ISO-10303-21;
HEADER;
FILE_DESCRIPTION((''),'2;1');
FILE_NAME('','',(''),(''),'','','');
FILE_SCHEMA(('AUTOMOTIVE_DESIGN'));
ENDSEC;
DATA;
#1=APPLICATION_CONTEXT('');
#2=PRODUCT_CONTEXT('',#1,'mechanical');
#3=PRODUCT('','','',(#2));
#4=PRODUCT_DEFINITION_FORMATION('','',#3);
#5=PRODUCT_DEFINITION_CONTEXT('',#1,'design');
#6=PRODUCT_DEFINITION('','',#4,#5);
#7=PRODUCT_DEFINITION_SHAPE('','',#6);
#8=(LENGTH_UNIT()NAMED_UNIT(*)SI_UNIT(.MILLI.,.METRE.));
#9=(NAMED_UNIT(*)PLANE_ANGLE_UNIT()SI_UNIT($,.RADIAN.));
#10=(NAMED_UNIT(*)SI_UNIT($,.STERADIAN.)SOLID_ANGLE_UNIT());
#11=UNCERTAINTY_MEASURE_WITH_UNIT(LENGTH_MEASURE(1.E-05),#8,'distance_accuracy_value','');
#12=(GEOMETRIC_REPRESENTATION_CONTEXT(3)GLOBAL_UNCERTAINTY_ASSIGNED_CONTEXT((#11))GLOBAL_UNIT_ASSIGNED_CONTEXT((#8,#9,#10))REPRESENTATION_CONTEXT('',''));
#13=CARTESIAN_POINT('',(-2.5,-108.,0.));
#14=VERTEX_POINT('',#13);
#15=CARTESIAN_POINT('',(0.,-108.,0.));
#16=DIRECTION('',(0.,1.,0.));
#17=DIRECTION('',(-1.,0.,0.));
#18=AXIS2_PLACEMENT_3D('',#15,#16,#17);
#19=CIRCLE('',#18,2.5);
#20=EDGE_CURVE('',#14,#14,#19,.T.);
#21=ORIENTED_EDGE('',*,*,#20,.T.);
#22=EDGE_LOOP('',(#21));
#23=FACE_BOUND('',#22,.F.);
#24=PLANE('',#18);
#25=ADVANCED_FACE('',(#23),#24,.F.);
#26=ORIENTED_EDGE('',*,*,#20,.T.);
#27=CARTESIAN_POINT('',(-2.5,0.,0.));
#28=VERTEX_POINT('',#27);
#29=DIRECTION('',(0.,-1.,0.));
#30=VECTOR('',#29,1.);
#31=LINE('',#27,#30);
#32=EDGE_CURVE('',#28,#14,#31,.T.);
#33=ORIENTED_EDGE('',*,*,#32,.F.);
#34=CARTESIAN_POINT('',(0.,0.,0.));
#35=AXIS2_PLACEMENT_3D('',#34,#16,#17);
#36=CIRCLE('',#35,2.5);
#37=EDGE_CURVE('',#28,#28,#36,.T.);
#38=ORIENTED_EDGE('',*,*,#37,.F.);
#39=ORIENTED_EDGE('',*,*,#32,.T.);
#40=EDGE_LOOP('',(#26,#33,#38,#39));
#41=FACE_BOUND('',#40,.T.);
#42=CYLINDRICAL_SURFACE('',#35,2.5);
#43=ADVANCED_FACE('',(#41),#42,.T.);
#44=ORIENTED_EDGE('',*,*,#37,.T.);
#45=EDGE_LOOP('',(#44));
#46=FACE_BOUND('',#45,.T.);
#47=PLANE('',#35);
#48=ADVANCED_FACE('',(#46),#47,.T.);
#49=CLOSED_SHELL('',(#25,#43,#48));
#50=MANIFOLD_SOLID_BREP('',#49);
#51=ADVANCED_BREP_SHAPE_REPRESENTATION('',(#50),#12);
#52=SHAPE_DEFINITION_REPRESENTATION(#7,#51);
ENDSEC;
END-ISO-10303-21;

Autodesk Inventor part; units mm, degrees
ref_plane "YZ Plane" through (0, 0, 0) normal (1, 0, 0) x (0, 1, 0)
ref_plane "XZ Plane" through (0, 0, 0) normal (0, 1, 0) x (-1, 0, 0)
ref_plane "XY Plane" through (0, 0, 0) normal (0, 0, 1) x (1, 0, 0)
sketch "Sketch1" plane through (0, 0, 0) normal (0, 1, 0) x (-1, 0, 0)
  circle A0 centre (0, 0) radius 2.5
  dimension "d0" = 5
extrude "Extrusion1" add sketch "Sketch1" against normal blind 108
thread "Thread1" size "12-24 UNC" class "2A" standard "ANSI Unified Screw Threads" full length
properties part number "M5 65mm Threaded Rod"
